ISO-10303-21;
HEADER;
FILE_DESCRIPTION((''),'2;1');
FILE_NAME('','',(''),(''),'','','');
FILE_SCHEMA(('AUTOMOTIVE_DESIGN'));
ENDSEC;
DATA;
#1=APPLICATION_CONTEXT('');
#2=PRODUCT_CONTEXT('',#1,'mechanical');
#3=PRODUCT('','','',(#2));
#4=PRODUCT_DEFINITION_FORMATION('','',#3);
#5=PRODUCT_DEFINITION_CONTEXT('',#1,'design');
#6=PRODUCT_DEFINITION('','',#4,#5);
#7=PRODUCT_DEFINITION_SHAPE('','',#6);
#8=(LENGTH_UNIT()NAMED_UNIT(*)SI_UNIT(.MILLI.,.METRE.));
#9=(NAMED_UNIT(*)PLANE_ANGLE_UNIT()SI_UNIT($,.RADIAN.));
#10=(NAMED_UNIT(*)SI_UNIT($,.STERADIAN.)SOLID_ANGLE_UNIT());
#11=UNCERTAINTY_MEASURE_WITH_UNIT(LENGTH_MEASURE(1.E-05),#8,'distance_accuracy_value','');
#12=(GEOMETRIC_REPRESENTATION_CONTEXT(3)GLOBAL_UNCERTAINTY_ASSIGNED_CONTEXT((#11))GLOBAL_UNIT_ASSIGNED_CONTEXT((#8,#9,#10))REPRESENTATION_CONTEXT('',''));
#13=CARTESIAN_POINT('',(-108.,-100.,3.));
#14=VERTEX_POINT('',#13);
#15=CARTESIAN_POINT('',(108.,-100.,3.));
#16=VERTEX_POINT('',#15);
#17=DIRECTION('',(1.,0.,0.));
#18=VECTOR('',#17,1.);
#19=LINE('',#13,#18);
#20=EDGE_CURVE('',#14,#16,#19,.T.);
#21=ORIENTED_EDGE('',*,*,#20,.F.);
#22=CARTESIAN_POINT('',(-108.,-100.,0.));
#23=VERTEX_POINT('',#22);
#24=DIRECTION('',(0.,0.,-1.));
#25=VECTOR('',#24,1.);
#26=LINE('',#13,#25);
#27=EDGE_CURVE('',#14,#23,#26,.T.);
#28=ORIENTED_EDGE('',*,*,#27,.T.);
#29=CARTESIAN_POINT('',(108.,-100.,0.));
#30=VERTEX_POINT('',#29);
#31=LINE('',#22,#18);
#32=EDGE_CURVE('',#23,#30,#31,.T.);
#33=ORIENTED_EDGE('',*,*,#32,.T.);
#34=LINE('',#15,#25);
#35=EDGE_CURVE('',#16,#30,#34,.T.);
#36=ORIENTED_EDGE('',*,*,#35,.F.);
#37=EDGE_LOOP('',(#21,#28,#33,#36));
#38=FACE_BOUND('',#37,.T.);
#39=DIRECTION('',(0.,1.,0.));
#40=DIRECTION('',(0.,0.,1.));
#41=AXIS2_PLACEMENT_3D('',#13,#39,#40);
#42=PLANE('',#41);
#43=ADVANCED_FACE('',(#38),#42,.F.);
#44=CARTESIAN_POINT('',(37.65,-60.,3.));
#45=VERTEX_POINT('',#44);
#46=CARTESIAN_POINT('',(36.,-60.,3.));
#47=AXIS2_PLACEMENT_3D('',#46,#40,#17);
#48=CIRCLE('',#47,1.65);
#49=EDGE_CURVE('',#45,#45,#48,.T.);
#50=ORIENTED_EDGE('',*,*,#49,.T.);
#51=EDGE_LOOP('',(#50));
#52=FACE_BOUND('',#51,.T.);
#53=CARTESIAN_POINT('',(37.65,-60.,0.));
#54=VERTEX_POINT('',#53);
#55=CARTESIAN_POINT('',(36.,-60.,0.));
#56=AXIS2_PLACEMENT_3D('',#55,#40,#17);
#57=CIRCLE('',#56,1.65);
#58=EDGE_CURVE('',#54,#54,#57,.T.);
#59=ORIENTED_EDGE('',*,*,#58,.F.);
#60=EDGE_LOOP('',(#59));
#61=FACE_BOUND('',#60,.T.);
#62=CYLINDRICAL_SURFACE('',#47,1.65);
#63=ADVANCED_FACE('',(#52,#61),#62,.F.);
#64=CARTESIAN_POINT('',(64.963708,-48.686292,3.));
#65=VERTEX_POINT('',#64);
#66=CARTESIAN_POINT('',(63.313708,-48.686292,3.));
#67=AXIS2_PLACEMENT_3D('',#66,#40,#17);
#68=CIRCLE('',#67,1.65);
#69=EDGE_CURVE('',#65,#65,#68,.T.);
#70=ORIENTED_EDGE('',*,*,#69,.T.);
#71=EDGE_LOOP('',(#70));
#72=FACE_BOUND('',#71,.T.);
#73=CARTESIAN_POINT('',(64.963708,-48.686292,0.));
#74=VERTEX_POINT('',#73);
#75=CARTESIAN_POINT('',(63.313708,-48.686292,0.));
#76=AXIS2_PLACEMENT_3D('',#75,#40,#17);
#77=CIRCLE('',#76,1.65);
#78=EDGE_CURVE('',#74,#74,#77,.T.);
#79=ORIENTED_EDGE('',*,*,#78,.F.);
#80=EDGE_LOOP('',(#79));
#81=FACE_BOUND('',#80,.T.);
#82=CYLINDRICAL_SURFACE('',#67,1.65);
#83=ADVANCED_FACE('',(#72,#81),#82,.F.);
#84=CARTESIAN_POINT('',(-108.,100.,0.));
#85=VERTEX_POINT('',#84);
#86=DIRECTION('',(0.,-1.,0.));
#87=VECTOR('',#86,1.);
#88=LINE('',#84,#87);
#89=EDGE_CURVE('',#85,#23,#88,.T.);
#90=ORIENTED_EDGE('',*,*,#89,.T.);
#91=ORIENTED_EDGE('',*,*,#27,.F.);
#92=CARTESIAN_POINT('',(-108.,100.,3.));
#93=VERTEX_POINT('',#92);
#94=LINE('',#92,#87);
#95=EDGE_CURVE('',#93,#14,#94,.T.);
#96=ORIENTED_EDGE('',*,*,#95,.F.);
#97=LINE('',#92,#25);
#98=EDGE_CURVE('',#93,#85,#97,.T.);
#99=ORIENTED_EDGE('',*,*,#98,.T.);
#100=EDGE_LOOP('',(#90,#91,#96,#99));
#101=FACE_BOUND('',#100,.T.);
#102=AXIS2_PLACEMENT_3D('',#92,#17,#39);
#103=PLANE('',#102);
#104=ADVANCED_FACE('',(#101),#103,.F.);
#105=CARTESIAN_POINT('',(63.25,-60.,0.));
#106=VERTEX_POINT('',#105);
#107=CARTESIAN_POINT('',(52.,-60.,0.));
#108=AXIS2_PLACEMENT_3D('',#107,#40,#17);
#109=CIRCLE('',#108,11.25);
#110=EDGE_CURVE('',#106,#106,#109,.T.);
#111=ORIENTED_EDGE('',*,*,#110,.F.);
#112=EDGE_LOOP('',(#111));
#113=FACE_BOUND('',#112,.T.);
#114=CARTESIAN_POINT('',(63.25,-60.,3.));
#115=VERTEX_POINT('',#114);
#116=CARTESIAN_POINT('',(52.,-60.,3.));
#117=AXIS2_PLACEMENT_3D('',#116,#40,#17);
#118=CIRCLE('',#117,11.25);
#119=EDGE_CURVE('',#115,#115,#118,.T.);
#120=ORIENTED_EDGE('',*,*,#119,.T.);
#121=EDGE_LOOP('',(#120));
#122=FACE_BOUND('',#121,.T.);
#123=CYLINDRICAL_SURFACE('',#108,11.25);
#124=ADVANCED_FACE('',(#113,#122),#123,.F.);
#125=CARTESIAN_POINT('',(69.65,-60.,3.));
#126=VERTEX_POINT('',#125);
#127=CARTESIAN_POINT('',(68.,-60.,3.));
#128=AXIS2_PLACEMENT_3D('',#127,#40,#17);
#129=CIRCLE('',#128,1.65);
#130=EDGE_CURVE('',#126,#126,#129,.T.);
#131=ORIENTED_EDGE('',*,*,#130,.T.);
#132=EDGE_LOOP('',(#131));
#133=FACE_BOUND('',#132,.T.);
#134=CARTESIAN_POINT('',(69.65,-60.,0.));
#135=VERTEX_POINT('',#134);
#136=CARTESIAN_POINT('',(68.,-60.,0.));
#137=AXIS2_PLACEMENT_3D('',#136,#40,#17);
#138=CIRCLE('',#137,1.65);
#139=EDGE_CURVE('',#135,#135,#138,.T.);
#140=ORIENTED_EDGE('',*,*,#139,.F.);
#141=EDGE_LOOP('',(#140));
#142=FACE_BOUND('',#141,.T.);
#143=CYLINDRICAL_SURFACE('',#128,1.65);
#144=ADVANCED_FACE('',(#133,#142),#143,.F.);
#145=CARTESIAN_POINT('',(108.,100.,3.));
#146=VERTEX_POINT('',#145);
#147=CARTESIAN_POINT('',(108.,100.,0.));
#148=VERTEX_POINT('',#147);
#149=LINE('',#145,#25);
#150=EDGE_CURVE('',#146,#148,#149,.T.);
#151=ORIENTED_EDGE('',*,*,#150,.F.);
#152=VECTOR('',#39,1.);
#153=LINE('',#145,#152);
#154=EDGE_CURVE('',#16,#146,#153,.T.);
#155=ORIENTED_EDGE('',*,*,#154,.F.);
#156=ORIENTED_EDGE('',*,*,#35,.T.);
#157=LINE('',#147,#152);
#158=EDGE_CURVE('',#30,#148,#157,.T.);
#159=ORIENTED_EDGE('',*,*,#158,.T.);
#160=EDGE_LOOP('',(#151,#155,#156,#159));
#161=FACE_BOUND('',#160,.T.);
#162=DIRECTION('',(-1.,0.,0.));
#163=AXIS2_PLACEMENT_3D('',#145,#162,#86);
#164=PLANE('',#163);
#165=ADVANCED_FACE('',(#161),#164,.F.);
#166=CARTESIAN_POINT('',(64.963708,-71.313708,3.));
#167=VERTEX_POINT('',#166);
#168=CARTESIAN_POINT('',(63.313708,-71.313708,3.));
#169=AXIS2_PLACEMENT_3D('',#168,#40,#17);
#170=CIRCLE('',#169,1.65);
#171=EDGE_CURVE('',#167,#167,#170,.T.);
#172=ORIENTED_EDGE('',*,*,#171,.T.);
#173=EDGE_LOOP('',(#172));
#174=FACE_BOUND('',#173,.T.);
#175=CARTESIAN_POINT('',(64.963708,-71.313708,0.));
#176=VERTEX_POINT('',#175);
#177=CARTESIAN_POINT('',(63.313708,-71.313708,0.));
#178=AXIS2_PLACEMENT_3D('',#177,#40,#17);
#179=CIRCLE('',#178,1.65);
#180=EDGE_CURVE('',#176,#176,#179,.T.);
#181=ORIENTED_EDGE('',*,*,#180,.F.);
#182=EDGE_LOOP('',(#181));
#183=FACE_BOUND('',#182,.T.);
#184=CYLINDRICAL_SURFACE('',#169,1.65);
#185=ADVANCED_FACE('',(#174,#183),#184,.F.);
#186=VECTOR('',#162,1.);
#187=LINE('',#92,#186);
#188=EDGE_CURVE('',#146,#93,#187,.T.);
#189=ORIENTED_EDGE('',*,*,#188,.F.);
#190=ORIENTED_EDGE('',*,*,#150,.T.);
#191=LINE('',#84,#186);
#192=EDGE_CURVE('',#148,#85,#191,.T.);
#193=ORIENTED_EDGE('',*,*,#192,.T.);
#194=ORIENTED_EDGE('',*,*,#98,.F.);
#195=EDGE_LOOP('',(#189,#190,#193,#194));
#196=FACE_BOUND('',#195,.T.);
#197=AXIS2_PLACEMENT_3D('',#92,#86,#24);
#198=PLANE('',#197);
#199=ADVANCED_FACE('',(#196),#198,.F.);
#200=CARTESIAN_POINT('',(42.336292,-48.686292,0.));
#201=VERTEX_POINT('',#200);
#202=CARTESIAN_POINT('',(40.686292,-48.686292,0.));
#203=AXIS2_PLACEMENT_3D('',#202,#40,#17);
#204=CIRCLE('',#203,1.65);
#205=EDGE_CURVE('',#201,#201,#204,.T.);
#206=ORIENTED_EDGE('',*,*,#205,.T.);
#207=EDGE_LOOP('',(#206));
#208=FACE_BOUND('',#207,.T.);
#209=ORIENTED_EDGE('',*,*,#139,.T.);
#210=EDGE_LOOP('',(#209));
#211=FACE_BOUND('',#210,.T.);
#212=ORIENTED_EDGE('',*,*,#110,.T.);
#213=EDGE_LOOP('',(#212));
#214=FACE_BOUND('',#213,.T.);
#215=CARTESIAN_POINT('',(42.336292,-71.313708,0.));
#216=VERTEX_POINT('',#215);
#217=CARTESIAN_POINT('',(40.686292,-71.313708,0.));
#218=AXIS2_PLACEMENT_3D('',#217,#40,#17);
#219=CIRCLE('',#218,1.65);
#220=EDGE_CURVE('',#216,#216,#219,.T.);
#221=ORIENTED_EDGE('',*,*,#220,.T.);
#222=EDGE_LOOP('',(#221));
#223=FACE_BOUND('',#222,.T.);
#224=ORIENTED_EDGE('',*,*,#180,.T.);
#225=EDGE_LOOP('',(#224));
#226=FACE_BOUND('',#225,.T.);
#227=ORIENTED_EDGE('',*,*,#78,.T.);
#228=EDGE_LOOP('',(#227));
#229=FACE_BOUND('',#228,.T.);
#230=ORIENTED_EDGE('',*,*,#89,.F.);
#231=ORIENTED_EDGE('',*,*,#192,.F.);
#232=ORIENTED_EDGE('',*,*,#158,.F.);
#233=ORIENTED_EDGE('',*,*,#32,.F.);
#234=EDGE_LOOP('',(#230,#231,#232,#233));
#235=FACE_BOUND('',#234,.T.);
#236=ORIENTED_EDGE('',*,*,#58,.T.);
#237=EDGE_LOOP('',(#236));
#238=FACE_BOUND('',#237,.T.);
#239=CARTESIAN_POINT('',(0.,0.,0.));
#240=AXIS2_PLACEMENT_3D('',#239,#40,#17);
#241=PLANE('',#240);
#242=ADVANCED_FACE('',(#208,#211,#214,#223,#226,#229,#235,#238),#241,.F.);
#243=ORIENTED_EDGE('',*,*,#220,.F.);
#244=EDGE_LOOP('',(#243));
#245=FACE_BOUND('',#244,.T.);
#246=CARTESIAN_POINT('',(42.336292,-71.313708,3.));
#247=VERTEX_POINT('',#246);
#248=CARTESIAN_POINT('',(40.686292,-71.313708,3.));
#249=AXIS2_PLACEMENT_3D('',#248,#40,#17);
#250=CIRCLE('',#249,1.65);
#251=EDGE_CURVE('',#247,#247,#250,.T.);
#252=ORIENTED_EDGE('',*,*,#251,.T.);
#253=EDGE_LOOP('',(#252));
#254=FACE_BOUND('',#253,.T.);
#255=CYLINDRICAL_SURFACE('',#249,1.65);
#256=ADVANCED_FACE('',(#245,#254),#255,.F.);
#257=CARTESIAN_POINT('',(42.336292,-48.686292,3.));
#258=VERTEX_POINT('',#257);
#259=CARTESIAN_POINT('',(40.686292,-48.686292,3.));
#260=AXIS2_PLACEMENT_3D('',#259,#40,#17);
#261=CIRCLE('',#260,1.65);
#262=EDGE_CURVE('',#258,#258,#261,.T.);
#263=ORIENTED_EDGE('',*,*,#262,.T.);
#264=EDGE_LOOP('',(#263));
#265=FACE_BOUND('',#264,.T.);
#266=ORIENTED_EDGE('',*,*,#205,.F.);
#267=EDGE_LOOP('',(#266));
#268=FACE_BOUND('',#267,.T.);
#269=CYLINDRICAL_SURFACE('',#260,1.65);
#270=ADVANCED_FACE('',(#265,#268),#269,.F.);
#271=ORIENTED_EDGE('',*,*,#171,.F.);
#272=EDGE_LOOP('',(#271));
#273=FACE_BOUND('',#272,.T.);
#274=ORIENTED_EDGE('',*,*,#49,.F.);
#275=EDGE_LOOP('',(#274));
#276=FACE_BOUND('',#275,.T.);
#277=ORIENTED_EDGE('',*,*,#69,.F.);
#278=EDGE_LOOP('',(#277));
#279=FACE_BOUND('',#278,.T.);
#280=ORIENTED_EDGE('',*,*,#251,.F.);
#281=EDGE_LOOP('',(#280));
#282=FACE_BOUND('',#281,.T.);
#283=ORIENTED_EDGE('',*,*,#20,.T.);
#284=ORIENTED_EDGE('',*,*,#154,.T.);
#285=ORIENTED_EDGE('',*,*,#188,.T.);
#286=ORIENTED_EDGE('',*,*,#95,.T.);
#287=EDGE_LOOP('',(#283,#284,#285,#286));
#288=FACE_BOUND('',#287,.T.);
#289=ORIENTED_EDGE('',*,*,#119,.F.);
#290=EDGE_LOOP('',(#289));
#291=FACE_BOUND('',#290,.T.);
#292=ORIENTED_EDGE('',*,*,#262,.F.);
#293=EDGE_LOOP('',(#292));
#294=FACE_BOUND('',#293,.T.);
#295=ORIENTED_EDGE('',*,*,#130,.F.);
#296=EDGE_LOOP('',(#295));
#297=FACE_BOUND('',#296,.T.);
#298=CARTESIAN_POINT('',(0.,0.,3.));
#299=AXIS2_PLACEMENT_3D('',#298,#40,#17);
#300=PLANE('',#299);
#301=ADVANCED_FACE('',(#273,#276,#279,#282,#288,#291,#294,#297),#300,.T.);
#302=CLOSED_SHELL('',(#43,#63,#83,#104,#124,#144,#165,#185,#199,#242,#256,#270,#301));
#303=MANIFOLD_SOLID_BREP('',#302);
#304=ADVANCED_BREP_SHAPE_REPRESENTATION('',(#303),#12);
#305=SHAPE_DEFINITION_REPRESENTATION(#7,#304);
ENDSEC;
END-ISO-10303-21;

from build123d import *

# Parameters (mm, degrees)
SKETCH_1_W          = 216
SKETCH_1_H          = 200
EXTRUDE_1_DEPTH     = 3
SKETCH_2_R          = 11.25
CUT_EXTRUDE_1_DEPTH = 148.217526131
HOLE_WIZARD_M4_1_D  = 3.3


with BuildPart() as part:
    # 草图1 → 凸台-拉伸1 (new body)
    with BuildSketch(Plane.XY):
        Rectangle(SKETCH_1_W, SKETCH_1_H)
    extrude(amount=EXTRUDE_1_DEPTH)

    # 草图2 → 切除-拉伸1 (cut, through all)
    with BuildSketch(Plane.XY.offset(3)):
        with Locations((52, -60)):
            Circle(SKETCH_2_R)
    extrude(amount=-CUT_EXTRUDE_1_DEPTH, mode=Mode.SUBTRACT)

    # M4 螺纹孔的螺纹孔钻头1 (through all)
    with Locations(Plane(origin=(36, -60, 3), x_dir=(1, 0, 0), z_dir=(0, 0, 1))):
        with Locations((0, 0), (4.686291501, 11.313708499), (4.686291501, -11.313708499), (27.313708499, 11.313708499), (32, 0), (27.313708499, -11.313708499)):
            Hole(HOLE_WIZARD_M4_1_D / 2)


solid = part.part
